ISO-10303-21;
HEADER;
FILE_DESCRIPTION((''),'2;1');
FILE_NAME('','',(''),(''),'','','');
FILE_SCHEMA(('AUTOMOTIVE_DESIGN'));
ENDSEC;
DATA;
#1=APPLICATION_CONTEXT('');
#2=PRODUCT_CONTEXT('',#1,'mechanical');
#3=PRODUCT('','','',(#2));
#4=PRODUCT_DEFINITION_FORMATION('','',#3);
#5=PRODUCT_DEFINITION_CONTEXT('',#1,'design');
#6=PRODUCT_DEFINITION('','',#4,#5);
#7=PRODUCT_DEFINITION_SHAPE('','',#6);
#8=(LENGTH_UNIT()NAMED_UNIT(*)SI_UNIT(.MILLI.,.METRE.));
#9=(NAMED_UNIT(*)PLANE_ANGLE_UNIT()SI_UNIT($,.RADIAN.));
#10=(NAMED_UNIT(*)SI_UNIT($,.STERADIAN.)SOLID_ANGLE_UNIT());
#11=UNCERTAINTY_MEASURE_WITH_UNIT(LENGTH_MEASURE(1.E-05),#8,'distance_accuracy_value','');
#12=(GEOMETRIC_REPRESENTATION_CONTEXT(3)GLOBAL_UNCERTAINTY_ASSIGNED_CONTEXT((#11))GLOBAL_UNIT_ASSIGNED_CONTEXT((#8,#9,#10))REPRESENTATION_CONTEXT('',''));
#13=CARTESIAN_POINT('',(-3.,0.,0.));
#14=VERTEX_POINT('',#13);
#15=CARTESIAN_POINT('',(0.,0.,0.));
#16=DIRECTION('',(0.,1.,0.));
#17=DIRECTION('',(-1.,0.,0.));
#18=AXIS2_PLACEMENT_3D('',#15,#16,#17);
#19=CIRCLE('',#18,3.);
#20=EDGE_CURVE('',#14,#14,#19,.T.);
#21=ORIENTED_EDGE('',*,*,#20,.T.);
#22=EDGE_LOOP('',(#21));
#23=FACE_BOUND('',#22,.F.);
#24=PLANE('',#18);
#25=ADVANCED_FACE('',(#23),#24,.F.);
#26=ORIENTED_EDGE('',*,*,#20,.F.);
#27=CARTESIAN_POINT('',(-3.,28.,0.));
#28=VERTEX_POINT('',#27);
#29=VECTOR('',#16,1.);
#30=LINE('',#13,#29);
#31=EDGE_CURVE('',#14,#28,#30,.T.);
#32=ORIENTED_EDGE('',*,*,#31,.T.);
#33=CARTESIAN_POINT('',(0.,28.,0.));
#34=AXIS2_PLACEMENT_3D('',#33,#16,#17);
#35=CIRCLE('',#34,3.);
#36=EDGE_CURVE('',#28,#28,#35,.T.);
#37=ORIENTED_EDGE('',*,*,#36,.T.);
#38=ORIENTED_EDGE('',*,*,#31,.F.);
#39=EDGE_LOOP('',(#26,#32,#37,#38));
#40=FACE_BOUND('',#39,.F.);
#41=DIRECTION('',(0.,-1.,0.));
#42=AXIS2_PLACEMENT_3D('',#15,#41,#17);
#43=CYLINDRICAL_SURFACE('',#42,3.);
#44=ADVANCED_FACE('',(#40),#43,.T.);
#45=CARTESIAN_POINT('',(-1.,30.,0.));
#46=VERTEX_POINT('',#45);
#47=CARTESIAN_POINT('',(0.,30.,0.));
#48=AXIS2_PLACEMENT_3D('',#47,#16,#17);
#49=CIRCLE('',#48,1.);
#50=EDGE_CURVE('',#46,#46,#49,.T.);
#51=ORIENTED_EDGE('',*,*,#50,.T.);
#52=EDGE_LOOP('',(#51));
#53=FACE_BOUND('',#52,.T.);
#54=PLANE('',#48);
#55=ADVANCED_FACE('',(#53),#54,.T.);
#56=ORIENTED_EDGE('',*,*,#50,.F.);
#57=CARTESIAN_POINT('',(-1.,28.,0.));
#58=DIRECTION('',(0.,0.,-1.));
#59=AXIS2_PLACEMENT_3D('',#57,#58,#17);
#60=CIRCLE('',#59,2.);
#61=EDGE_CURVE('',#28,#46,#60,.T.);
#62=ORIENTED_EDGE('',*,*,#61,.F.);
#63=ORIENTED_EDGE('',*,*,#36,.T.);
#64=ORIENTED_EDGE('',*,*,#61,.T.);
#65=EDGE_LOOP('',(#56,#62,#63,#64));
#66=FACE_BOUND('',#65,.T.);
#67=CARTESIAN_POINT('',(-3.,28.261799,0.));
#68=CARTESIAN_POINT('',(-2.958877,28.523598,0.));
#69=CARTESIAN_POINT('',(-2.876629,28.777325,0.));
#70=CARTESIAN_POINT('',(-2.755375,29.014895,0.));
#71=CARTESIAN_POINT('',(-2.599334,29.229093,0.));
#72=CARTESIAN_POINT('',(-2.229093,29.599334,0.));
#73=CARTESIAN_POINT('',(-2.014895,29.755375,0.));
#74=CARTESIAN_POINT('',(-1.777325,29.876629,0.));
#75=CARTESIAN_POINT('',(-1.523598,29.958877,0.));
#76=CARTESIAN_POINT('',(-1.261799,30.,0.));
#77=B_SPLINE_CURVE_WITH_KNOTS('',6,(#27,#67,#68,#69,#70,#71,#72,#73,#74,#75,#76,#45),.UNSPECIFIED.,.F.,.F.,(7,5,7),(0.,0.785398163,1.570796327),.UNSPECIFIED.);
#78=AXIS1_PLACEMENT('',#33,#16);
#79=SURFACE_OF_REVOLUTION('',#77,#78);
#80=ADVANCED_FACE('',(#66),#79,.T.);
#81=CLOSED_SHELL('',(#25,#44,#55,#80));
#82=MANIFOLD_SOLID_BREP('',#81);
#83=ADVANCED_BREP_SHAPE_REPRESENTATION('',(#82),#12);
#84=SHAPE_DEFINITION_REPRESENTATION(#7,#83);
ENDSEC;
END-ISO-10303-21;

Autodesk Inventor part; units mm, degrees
ref_plane "YZ Plane" through (0, 0, 0) normal (1, 0, 0) x (0, 1, 0)
ref_plane "XZ Plane" through (0, 0, 0) normal (0, 1, 0) x (-1, 0, 0)
ref_plane "XY Plane" through (0, 0, 0) normal (0, 0, 1) x (1, 0, 0)
sketch "Sketch1" plane through (0, 0, 0) normal (0, 1, 0) x (-1, 0, 0)
  circle A0 centre (0, 0) radius 3
  dimension "d0" = 6
extrude "Extrusion1" add sketch "Sketch1" along normal blind 30
fillet "Fillet1" radius 2 1 edges at (3, 30, 0)
properties part number "temperature-sensor"
